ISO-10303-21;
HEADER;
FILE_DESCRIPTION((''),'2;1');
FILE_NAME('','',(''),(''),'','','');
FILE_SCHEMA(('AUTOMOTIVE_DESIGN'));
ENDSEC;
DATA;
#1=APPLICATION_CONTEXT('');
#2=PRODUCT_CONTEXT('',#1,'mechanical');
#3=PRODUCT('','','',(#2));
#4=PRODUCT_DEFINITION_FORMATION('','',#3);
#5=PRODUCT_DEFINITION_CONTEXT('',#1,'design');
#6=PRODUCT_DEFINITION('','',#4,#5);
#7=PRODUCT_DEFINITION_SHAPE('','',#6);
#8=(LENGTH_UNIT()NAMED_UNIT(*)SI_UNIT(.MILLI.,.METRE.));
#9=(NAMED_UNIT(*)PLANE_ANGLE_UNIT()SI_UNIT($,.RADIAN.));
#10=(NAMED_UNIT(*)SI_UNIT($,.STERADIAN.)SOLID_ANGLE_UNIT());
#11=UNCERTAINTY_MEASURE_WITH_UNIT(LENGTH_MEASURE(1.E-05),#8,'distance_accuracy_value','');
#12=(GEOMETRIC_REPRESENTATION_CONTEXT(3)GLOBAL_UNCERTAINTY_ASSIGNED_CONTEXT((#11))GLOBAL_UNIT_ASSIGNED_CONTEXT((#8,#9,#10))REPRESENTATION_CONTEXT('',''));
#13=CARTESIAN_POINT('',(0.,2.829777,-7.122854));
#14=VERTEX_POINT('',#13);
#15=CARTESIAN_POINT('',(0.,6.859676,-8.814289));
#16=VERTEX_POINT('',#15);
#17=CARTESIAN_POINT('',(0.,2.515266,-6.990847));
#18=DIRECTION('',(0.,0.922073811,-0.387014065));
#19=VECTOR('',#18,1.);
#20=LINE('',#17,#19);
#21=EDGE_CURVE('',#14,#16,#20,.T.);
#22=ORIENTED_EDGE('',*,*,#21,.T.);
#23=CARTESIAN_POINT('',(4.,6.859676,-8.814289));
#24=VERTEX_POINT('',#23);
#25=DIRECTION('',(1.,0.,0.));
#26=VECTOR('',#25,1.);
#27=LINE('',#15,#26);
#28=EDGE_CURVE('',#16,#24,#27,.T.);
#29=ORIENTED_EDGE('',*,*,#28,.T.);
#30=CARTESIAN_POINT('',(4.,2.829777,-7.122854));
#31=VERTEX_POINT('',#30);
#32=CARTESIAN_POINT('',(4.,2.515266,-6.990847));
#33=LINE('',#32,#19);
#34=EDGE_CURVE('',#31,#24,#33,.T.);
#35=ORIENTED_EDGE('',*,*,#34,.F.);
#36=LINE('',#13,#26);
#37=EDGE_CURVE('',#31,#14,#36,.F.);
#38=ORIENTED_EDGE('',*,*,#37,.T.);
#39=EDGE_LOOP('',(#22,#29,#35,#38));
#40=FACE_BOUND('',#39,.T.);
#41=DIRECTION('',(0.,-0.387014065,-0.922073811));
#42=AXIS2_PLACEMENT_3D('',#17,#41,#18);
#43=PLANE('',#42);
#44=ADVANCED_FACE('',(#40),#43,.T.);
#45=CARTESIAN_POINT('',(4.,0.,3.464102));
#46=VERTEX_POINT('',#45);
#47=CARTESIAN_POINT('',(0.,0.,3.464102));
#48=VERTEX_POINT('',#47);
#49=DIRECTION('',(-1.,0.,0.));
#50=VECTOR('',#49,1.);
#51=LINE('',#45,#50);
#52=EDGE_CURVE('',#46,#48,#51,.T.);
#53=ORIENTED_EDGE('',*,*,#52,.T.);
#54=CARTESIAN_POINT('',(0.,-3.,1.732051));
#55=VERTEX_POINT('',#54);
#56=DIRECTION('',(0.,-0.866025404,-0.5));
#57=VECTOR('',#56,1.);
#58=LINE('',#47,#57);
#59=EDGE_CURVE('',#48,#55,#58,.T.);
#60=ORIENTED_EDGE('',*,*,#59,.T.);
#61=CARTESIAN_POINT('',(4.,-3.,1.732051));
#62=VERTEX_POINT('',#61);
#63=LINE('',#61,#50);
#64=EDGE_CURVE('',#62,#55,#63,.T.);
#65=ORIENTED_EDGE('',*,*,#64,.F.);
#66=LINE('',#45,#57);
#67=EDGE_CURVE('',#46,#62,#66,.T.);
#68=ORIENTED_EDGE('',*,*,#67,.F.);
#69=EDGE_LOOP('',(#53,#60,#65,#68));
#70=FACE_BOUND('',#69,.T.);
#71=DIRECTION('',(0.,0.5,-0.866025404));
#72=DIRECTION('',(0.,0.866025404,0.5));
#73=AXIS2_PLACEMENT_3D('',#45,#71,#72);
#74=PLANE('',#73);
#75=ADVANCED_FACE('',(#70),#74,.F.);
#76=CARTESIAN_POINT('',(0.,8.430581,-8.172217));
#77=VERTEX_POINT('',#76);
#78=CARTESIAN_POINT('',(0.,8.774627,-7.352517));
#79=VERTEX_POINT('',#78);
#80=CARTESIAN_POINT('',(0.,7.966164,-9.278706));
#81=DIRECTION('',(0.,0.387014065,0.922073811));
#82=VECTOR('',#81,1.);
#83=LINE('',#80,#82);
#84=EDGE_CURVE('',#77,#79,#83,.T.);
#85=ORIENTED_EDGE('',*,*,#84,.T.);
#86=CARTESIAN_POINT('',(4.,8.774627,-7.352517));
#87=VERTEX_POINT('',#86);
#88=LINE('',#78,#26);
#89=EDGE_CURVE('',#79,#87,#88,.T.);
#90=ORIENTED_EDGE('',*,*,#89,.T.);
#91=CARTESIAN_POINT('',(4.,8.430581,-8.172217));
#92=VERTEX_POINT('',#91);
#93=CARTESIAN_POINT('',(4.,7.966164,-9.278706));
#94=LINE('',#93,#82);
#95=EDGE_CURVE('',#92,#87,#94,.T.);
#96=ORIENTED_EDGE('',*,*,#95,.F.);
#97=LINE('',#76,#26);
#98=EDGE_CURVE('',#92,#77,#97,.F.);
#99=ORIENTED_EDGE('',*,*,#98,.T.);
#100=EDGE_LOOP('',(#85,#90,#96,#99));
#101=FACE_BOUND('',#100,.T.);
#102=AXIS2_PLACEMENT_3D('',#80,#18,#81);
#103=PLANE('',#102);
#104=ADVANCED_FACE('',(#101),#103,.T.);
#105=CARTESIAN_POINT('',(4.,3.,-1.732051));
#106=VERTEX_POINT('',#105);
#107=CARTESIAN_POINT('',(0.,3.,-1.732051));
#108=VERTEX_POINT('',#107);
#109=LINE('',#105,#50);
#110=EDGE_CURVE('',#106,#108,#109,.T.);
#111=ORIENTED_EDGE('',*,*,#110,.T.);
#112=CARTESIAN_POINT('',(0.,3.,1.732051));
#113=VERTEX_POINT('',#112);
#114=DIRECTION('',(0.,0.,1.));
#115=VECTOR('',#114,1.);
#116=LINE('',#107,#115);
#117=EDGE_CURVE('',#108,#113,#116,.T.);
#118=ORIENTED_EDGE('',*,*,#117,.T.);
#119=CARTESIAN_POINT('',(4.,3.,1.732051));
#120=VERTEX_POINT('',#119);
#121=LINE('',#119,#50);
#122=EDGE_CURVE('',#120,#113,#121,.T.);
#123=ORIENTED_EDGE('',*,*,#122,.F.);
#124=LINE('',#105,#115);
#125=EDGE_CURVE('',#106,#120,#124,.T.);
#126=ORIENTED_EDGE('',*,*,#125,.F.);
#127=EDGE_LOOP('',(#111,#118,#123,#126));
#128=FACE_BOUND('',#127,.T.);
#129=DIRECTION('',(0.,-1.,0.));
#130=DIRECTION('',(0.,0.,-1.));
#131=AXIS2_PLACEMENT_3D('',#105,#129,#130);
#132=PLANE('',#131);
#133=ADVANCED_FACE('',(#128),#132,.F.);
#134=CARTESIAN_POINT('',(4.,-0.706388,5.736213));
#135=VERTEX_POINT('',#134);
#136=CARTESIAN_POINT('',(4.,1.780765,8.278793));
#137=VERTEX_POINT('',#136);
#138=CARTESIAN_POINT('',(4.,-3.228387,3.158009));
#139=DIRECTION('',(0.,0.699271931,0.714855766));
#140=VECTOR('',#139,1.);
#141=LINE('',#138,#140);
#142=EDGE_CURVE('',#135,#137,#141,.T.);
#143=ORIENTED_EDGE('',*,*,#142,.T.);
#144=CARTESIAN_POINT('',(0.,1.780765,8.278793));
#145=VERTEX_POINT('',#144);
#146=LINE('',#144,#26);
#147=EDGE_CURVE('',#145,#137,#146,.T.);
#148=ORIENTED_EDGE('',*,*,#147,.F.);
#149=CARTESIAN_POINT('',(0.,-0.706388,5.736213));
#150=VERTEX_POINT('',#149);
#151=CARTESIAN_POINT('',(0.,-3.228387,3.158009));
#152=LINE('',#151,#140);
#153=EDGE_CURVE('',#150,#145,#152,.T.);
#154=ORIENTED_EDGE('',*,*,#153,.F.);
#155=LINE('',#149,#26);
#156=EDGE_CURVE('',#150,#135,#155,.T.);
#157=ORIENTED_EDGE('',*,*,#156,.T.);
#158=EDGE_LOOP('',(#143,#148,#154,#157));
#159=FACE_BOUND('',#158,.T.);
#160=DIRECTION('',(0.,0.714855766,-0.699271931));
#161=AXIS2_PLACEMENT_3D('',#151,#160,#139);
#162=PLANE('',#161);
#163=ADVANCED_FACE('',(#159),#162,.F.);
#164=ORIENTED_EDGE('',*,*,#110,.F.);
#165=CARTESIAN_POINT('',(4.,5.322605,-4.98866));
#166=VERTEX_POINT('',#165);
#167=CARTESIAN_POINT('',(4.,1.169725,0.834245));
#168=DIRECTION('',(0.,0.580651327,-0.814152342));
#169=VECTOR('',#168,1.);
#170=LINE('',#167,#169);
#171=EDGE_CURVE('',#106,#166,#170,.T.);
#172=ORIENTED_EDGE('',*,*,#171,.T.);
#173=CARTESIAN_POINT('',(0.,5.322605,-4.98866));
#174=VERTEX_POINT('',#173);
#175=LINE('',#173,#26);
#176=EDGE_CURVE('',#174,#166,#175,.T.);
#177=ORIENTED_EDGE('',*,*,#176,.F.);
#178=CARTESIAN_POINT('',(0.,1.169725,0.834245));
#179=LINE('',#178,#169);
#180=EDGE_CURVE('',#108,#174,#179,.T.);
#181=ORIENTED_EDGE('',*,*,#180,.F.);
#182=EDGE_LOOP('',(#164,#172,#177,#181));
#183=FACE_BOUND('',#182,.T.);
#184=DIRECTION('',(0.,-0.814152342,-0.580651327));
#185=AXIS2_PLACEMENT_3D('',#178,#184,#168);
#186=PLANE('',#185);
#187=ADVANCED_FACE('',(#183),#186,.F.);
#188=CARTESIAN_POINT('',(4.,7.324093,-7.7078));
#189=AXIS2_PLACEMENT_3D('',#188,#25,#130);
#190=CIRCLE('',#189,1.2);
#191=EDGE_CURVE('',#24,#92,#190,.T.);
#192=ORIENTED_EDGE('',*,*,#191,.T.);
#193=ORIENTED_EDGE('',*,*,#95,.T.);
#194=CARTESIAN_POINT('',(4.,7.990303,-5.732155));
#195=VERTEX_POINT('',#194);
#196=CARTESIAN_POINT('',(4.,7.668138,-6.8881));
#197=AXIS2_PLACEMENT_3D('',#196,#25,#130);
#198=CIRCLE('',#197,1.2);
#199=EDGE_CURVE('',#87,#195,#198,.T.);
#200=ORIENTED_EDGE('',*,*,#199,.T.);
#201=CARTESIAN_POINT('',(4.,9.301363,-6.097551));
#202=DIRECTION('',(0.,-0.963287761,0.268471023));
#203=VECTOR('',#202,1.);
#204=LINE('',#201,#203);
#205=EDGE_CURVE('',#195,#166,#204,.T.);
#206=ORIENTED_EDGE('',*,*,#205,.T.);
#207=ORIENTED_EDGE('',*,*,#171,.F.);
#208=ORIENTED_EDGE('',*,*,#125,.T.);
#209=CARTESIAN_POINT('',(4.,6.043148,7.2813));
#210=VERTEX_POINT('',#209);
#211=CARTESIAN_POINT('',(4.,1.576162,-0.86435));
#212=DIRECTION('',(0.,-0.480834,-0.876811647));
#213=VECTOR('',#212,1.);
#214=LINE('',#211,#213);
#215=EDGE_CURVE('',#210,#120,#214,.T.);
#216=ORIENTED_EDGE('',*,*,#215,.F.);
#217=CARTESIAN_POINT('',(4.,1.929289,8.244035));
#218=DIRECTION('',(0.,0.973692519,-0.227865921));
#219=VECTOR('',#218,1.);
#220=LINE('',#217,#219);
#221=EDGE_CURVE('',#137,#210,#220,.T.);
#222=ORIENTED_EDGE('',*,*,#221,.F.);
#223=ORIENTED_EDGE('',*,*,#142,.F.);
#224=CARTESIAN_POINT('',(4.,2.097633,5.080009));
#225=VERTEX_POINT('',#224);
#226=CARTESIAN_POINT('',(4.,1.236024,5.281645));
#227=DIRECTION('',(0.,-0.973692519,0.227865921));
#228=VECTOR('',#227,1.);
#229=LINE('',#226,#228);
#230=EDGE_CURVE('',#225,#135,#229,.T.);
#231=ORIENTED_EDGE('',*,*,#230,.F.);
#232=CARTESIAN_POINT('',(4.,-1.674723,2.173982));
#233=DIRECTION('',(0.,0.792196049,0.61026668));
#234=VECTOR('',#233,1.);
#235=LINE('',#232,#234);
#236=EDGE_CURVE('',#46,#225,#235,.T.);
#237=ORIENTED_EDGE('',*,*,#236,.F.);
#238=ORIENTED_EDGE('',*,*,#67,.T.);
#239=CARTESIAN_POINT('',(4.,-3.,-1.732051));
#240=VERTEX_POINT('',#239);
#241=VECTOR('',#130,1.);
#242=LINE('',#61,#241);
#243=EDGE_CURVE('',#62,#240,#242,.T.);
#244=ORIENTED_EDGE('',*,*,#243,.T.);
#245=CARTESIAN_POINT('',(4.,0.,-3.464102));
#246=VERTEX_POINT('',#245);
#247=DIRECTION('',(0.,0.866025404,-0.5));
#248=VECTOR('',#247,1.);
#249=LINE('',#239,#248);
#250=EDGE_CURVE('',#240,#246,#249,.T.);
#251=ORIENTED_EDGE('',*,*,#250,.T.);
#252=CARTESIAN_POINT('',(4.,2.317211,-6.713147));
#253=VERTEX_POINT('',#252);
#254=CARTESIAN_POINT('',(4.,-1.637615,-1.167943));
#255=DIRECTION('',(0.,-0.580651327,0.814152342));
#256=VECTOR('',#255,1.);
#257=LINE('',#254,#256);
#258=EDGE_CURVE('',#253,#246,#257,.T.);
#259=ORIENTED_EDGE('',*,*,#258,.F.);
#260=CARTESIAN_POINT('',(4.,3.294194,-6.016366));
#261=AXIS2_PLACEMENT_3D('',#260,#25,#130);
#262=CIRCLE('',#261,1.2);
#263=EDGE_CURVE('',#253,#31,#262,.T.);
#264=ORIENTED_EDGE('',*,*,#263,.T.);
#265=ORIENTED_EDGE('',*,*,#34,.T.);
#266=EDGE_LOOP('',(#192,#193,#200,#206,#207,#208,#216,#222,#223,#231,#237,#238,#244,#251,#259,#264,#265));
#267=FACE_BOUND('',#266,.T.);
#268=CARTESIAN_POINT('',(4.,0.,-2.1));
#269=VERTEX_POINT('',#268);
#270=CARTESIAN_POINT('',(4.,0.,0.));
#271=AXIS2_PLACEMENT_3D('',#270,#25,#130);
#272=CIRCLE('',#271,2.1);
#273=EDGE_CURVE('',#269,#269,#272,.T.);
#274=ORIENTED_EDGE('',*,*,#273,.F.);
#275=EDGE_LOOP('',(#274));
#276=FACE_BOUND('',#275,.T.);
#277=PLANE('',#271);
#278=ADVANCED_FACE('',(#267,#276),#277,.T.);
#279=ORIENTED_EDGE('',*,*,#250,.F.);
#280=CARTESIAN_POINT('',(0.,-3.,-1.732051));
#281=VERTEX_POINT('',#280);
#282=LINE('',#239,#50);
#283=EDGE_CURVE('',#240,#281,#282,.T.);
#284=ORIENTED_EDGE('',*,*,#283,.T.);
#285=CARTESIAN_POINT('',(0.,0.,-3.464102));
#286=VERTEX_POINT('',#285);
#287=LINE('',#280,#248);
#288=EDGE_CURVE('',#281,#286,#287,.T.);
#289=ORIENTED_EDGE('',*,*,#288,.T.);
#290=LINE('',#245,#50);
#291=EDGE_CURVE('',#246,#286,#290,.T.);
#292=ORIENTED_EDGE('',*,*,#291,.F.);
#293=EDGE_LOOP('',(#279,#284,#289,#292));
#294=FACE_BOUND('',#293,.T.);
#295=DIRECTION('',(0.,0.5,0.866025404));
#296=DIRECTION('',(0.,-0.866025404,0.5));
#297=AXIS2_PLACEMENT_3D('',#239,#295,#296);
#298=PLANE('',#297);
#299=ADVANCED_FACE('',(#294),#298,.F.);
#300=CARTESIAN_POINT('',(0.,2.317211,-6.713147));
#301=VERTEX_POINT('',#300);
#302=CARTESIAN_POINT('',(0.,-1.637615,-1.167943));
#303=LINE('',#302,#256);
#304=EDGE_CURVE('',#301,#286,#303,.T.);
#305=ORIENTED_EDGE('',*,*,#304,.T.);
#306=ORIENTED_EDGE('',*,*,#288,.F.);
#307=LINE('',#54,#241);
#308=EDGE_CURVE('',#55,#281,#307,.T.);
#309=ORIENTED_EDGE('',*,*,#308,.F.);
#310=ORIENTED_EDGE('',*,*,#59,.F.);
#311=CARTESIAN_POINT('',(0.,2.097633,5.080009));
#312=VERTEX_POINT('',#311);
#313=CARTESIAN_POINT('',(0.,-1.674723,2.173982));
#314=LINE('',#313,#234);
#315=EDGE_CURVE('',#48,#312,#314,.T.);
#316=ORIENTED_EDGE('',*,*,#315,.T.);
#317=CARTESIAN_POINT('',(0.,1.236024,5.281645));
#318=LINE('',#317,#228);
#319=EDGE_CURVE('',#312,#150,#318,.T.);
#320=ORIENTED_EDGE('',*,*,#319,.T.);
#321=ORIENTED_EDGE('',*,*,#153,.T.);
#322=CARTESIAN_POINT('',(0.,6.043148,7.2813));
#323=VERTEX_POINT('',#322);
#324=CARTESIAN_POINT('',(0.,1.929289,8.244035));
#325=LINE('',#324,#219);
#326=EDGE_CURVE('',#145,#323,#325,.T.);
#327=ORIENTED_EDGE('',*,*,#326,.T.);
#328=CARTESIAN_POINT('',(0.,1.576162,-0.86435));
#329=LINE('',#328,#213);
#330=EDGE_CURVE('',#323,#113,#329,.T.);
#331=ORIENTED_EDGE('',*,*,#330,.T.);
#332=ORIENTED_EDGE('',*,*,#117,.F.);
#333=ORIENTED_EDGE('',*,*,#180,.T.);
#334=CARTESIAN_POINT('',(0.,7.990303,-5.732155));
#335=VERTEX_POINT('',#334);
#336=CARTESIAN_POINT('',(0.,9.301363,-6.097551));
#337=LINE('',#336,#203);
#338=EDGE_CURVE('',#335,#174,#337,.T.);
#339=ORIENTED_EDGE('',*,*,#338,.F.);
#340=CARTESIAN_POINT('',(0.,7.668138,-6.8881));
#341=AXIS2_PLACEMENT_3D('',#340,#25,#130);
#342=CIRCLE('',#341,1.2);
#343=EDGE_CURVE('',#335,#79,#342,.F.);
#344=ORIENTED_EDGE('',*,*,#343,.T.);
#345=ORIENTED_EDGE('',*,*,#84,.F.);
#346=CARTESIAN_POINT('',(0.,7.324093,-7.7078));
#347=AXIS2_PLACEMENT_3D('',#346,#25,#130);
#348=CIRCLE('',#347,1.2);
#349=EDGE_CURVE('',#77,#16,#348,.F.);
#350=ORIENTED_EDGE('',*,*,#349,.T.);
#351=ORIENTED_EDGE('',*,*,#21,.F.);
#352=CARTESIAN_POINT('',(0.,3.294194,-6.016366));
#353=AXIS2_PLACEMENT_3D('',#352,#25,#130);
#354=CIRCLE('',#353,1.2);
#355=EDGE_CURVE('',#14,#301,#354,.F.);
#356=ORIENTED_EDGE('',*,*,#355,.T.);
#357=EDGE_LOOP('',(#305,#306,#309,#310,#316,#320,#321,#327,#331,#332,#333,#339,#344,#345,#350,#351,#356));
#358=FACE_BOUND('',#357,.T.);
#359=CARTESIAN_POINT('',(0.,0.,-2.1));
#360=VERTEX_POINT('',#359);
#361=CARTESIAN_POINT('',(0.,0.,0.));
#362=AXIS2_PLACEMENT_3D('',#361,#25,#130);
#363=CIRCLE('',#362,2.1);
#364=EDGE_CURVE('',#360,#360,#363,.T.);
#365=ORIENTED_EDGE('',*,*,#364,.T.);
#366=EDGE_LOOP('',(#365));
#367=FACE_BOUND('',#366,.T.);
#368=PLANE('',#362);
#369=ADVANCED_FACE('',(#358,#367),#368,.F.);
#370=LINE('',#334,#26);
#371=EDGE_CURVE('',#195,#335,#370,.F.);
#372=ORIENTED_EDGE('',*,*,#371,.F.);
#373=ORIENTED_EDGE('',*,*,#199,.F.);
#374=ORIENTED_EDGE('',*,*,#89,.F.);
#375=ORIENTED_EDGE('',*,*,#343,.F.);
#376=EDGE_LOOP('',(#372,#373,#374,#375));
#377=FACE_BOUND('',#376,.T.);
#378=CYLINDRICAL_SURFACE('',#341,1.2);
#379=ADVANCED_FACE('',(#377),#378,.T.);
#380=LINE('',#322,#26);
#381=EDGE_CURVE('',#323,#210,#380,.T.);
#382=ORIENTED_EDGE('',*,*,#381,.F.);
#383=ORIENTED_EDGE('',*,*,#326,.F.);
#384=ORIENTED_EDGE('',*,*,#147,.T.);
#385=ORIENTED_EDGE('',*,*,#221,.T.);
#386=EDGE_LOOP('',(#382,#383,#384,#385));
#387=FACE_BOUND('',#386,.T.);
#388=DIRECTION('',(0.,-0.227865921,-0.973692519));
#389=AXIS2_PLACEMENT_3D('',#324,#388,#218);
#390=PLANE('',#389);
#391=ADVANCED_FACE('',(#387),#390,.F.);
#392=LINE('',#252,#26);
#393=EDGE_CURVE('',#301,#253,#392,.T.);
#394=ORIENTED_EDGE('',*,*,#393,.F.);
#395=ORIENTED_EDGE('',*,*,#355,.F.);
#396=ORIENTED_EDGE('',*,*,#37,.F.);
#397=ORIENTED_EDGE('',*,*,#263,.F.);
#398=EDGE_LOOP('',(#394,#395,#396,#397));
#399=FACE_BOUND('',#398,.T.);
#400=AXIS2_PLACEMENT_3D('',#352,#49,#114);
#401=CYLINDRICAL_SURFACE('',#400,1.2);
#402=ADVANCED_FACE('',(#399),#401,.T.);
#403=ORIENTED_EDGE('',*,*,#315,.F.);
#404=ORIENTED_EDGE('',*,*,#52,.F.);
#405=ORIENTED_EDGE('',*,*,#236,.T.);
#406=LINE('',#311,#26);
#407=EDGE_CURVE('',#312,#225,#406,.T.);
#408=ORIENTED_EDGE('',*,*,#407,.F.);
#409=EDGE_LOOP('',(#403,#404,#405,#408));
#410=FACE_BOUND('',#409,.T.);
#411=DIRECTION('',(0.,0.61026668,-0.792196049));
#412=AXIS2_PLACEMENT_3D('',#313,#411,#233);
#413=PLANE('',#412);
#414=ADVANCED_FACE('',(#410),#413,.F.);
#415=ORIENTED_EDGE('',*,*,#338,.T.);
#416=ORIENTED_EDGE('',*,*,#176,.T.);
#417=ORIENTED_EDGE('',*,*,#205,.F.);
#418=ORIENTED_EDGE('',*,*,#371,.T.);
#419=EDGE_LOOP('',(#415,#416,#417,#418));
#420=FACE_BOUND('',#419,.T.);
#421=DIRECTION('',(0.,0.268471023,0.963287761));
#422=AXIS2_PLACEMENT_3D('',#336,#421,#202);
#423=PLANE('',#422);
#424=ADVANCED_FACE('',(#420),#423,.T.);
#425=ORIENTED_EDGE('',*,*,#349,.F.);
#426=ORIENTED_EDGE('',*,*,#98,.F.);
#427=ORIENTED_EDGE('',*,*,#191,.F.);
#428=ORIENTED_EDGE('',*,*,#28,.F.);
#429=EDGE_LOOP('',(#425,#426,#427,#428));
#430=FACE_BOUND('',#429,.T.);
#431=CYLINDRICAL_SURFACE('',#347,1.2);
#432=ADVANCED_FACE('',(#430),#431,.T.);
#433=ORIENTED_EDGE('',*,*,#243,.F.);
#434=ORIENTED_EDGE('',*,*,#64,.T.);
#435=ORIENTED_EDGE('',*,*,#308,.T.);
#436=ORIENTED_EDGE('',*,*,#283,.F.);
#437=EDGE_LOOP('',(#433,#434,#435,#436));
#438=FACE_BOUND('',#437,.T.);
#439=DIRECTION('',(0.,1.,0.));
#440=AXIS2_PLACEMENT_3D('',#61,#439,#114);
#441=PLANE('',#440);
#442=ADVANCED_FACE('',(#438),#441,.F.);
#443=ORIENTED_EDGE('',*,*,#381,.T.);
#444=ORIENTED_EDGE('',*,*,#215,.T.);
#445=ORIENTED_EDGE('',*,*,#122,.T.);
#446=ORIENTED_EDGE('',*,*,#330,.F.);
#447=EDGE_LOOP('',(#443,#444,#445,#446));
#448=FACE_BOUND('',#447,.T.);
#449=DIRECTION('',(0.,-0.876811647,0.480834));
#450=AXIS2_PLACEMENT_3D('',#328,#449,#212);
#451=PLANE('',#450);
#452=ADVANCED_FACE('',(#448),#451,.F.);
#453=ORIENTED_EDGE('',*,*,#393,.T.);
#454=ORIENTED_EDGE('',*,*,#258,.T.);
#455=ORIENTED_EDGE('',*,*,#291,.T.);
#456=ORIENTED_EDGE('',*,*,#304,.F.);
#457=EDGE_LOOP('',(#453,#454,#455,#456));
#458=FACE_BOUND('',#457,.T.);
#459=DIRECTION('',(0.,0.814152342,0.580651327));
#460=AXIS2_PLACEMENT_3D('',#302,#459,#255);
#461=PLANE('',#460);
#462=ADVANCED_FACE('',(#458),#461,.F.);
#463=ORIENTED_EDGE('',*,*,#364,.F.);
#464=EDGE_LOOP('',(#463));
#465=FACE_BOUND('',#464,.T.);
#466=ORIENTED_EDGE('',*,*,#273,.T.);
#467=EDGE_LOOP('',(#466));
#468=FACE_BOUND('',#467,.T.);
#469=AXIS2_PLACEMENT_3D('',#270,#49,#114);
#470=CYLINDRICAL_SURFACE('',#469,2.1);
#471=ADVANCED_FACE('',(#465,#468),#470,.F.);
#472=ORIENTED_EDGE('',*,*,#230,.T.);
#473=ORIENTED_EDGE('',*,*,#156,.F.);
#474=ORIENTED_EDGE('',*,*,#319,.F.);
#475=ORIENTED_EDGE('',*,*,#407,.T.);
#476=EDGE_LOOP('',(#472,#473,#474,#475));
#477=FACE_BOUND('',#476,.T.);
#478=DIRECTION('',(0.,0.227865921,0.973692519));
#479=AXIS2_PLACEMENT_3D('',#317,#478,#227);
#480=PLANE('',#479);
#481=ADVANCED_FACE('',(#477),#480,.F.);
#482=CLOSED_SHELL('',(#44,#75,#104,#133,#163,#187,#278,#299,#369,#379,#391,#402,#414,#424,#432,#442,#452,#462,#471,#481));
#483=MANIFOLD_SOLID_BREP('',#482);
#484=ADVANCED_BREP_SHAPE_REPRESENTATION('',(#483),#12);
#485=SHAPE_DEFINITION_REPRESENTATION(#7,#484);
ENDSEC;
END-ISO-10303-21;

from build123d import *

# Parameters (mm, degrees)
CROQUIS1_R              = 2.1
SALIENTE_EXTRUIR1_DEPTH = 4
SALIENTE_EXTRUIR2_DEPTH = 4
SALIENTE_EXTRUIR3_DEPTH = 4
SALIENTE_EXTRUIR4_DEPTH = 4
REDONDEO1_R             = 1.2


with BuildPart() as part:
    # Croquis1 → Saliente-Extruir1 (new body)
    with BuildSketch(Plane(origin=(0, 0, 0), x_dir=(0, 0, -1), z_dir=(1, 0, 0))):
        Polygon((3.464101615, 0), (1.732050808, 3), (-1.732050808, 3), (-3.464101615, 0), (-1.732050808, -3), (1.732050808, -3), align=None)
        Circle(CROQUIS1_R, mode=Mode.SUBTRACT)
    extrude(amount=SALIENTE_EXTRUIR1_DEPTH)

    # Croquis2 → Saliente-Extruir2 (add, through all)
    with BuildSketch(Plane(origin=(4, 0, 0), x_dir=(0, 0, -1), z_dir=(1, 0, 0))):
        Polygon((6.990847349, 2.515265858), (3.464101615, 0), (1.732050808, 3), (4.988660177, 5.322605307), align=None)
    extrude(amount=-SALIENTE_EXTRUIR2_DEPTH)

    # Croquis12 → Saliente-Extruir3 (add, through all)
    with BuildSketch(Plane(origin=(4, 0, 0), x_dir=(0, 0, -1), z_dir=(1, 0, 0))):
        Polygon((-7.281299997, 6.043148081), (-1.732050808, 3), (-3.464101615, 0), (-5.080008932, 2.097632781), (-5.736212746, -0.706387852), (-8.278793458, 1.780764673), align=None)
    extrude(amount=-SALIENTE_EXTRUIR3_DEPTH)

    # Croquis13 → Saliente-Extruir4 (add, through all)
    with BuildSketch(Plane(origin=(4, 0, 0), x_dir=(0, 0, -1), z_dir=(1, 0, 0))):
        Polygon((6.990847349, 2.515265858), (9.278705783, 7.966164247), (6.097551134, 9.301362773), (4.988660177, 5.322605307), align=None)
    extrude(amount=-SALIENTE_EXTRUIR4_DEPTH)

    # Redondeo1
    redondeo1_edges = [part.edges().sort_by_distance(p)[0] for p in [
        (2, 2.515265858, -6.990847349),
        (2, 9.301362773, -6.097551134),
        (2, 7.966164247, -9.278705783),
    ]]
    fillet(redondeo1_edges, radius=REDONDEO1_R)


solid = part.part
